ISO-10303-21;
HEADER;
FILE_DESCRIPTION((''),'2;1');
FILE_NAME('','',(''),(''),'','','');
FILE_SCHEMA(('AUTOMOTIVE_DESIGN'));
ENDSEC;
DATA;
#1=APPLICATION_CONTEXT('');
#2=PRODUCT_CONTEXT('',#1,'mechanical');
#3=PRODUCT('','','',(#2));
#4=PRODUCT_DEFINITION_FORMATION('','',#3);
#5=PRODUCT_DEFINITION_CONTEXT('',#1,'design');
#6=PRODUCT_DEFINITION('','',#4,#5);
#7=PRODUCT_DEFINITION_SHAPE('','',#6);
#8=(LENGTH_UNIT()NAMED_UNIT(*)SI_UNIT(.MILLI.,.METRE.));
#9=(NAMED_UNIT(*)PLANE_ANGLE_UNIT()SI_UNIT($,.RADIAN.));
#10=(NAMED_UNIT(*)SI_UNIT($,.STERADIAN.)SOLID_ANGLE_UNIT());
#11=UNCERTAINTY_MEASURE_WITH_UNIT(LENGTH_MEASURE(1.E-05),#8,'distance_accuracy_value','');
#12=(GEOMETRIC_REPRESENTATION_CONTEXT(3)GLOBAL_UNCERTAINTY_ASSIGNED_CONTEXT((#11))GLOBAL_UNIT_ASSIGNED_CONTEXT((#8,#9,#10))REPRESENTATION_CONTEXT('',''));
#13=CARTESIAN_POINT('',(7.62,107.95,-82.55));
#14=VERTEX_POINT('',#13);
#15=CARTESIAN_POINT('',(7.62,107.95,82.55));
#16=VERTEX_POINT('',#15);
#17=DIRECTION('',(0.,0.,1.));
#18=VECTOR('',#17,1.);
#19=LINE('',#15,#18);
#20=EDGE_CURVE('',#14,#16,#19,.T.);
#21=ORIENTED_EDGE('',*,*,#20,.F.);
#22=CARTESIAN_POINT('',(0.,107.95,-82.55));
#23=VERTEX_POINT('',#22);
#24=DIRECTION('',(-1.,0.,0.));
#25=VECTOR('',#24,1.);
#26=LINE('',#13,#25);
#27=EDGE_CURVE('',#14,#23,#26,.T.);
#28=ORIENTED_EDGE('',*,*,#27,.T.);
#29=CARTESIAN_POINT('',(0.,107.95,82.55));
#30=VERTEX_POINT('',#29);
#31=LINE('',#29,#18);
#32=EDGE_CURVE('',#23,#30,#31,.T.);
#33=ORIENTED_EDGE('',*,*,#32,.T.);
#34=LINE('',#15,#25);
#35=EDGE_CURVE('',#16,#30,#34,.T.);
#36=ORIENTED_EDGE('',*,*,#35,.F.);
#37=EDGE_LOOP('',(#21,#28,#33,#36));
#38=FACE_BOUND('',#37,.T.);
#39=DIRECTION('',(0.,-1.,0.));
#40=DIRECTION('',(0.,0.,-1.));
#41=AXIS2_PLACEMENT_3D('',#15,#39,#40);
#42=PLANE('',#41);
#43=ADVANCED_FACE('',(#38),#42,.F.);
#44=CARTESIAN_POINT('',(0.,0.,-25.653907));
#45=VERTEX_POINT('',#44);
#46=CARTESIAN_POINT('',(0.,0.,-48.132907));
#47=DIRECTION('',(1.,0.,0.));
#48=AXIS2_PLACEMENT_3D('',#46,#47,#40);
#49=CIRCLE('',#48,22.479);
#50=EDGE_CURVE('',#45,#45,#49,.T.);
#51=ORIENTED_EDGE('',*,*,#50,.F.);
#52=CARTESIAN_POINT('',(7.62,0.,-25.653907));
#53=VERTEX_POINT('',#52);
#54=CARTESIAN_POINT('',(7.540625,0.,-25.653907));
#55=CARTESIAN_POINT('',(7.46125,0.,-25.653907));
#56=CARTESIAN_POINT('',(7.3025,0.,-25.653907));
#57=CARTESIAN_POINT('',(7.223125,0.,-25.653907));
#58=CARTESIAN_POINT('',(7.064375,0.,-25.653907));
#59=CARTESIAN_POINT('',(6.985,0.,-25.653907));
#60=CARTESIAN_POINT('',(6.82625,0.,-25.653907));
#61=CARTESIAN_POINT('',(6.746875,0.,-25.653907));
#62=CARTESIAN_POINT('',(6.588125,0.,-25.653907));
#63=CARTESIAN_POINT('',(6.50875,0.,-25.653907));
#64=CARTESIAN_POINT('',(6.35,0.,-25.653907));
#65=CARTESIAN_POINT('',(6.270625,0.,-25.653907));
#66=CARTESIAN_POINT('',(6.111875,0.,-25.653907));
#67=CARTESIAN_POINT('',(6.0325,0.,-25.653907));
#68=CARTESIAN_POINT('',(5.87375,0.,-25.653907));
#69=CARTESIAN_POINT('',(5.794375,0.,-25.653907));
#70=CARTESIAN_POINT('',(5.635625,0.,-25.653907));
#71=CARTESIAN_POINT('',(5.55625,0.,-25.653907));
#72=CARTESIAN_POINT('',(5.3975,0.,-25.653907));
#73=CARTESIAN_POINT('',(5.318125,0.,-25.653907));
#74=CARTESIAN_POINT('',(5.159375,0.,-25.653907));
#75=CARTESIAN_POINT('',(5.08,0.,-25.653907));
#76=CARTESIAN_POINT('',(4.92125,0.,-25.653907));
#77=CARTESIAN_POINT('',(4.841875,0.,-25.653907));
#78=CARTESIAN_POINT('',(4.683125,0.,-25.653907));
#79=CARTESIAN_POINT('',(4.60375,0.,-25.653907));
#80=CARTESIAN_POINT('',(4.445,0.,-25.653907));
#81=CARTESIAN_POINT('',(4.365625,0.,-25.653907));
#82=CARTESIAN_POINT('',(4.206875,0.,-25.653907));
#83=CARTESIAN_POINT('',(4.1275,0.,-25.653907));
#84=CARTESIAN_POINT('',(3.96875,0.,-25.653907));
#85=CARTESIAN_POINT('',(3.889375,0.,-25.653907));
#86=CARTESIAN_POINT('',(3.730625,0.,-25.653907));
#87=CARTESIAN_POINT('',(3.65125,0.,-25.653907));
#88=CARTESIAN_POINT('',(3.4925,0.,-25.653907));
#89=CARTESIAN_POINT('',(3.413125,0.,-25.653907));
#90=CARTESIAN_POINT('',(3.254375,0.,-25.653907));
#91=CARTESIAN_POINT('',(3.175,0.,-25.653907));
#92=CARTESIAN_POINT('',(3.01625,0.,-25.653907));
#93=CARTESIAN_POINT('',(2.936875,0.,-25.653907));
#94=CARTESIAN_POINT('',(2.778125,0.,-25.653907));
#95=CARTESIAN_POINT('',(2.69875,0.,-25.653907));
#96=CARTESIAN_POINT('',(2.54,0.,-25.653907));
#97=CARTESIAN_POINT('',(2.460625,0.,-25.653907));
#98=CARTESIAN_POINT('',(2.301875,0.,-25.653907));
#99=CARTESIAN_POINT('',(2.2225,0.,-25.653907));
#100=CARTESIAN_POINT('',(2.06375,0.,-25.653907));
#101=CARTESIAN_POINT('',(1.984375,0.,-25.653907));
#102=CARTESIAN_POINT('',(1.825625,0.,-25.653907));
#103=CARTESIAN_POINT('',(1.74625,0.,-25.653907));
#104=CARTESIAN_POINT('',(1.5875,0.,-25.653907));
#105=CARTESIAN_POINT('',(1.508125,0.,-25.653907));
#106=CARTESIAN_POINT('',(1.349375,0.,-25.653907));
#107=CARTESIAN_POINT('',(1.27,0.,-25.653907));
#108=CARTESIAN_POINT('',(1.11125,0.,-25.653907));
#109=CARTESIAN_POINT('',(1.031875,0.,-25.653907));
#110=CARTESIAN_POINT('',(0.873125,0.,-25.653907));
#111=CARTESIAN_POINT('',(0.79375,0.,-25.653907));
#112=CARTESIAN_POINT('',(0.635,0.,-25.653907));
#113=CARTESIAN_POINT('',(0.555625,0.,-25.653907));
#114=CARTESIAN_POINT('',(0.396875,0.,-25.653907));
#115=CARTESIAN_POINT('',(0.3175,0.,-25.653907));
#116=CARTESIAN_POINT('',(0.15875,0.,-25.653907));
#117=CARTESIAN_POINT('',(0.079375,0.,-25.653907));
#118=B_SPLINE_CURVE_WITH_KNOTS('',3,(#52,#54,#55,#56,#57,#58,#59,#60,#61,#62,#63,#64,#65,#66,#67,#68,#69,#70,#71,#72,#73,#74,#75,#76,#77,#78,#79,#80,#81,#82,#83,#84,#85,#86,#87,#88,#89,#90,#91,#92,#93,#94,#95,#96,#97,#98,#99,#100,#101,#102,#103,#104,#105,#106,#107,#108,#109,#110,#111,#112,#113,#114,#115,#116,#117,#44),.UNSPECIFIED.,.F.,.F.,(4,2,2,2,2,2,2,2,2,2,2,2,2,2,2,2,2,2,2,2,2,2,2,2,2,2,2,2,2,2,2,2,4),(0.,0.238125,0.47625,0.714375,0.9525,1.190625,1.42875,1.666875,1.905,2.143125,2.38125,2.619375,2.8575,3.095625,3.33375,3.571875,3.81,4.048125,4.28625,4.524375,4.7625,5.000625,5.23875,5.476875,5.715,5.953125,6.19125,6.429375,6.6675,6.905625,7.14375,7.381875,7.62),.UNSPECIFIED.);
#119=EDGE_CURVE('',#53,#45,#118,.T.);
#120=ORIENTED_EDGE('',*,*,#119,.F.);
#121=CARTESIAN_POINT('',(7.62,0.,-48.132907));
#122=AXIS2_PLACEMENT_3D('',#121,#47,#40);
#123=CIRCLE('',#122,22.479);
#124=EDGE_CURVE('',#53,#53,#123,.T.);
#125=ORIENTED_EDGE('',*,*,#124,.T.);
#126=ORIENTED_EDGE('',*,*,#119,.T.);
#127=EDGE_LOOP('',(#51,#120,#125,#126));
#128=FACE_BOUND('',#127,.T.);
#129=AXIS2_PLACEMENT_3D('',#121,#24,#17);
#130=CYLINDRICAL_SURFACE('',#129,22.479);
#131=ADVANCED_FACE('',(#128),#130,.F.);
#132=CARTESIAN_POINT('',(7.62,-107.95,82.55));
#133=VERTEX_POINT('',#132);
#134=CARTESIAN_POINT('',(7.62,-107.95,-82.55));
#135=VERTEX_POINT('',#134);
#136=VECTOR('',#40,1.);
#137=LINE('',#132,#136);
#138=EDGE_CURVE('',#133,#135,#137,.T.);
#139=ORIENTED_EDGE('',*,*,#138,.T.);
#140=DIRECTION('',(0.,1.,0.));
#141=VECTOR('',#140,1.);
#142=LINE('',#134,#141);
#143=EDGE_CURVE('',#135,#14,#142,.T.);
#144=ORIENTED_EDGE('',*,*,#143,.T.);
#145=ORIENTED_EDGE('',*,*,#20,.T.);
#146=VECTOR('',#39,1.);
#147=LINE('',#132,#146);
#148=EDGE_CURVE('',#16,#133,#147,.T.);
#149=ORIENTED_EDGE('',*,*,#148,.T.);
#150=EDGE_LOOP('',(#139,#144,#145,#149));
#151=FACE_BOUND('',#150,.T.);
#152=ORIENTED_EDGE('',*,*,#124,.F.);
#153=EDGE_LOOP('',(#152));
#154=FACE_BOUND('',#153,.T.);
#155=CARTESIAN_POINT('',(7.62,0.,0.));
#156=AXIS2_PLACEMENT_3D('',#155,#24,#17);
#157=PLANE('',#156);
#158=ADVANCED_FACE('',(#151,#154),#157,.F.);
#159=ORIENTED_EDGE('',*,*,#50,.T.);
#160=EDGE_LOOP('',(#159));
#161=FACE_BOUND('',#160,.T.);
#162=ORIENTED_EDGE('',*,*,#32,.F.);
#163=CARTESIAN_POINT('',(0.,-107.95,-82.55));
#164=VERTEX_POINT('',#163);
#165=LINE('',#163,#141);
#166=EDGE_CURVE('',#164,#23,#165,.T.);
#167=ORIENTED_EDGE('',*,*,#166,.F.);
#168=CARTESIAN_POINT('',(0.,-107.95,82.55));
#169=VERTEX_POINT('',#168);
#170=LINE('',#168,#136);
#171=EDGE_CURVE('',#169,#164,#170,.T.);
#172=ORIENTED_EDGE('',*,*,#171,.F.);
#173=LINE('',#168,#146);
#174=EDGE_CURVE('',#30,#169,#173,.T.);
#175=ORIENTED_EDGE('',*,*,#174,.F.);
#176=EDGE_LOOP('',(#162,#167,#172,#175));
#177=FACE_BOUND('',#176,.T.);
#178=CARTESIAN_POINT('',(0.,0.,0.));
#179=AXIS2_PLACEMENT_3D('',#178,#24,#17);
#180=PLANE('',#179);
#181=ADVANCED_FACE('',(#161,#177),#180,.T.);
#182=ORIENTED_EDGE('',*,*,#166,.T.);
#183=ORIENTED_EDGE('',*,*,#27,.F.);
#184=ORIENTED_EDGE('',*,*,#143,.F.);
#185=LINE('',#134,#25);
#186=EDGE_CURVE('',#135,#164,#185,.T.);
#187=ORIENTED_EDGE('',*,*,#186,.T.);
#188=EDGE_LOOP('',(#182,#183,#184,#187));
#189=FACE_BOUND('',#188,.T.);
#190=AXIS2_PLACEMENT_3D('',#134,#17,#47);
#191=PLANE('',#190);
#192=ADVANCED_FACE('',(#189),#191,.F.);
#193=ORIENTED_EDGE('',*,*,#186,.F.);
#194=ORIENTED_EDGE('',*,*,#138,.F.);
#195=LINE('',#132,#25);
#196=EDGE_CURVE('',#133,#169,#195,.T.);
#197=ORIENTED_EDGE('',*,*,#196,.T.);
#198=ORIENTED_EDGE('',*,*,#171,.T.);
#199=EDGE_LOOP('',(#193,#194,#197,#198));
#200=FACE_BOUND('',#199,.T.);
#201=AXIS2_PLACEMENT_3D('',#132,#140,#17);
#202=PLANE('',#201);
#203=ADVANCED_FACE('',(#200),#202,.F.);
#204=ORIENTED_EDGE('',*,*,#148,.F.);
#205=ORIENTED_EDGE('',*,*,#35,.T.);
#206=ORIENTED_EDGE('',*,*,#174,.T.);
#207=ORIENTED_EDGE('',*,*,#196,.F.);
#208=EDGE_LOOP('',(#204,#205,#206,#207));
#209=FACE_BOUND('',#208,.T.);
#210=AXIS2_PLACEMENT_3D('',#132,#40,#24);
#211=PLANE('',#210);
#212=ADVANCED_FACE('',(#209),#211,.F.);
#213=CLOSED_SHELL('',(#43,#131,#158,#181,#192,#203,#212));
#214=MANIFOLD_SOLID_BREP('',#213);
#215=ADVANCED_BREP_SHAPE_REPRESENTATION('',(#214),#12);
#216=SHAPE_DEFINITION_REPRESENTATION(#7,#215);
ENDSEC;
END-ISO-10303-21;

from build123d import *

# Parameters (mm, degrees)
SKETCH1_W           = 165.1
SKETCH1_H           = 215.9
SKETCH1_R           = 22.479
BOSS_EXTRUDE1_DEPTH = 7.62


with BuildPart() as part:
    # Sketch1 → Boss-Extrude1 (new body)
    with BuildSketch(Plane(origin=(0, 0, 0), x_dir=(0, 0, -1), z_dir=(1, 0, 0))):
        Rectangle(SKETCH1_W, SKETCH1_H)
        with Locations(Location((48.132906706, 0, 0), (0, 0, 180))):
            Circle(SKETCH1_R, mode=Mode.SUBTRACT)
    extrude(amount=BOSS_EXTRUDE1_DEPTH)


solid = part.part
